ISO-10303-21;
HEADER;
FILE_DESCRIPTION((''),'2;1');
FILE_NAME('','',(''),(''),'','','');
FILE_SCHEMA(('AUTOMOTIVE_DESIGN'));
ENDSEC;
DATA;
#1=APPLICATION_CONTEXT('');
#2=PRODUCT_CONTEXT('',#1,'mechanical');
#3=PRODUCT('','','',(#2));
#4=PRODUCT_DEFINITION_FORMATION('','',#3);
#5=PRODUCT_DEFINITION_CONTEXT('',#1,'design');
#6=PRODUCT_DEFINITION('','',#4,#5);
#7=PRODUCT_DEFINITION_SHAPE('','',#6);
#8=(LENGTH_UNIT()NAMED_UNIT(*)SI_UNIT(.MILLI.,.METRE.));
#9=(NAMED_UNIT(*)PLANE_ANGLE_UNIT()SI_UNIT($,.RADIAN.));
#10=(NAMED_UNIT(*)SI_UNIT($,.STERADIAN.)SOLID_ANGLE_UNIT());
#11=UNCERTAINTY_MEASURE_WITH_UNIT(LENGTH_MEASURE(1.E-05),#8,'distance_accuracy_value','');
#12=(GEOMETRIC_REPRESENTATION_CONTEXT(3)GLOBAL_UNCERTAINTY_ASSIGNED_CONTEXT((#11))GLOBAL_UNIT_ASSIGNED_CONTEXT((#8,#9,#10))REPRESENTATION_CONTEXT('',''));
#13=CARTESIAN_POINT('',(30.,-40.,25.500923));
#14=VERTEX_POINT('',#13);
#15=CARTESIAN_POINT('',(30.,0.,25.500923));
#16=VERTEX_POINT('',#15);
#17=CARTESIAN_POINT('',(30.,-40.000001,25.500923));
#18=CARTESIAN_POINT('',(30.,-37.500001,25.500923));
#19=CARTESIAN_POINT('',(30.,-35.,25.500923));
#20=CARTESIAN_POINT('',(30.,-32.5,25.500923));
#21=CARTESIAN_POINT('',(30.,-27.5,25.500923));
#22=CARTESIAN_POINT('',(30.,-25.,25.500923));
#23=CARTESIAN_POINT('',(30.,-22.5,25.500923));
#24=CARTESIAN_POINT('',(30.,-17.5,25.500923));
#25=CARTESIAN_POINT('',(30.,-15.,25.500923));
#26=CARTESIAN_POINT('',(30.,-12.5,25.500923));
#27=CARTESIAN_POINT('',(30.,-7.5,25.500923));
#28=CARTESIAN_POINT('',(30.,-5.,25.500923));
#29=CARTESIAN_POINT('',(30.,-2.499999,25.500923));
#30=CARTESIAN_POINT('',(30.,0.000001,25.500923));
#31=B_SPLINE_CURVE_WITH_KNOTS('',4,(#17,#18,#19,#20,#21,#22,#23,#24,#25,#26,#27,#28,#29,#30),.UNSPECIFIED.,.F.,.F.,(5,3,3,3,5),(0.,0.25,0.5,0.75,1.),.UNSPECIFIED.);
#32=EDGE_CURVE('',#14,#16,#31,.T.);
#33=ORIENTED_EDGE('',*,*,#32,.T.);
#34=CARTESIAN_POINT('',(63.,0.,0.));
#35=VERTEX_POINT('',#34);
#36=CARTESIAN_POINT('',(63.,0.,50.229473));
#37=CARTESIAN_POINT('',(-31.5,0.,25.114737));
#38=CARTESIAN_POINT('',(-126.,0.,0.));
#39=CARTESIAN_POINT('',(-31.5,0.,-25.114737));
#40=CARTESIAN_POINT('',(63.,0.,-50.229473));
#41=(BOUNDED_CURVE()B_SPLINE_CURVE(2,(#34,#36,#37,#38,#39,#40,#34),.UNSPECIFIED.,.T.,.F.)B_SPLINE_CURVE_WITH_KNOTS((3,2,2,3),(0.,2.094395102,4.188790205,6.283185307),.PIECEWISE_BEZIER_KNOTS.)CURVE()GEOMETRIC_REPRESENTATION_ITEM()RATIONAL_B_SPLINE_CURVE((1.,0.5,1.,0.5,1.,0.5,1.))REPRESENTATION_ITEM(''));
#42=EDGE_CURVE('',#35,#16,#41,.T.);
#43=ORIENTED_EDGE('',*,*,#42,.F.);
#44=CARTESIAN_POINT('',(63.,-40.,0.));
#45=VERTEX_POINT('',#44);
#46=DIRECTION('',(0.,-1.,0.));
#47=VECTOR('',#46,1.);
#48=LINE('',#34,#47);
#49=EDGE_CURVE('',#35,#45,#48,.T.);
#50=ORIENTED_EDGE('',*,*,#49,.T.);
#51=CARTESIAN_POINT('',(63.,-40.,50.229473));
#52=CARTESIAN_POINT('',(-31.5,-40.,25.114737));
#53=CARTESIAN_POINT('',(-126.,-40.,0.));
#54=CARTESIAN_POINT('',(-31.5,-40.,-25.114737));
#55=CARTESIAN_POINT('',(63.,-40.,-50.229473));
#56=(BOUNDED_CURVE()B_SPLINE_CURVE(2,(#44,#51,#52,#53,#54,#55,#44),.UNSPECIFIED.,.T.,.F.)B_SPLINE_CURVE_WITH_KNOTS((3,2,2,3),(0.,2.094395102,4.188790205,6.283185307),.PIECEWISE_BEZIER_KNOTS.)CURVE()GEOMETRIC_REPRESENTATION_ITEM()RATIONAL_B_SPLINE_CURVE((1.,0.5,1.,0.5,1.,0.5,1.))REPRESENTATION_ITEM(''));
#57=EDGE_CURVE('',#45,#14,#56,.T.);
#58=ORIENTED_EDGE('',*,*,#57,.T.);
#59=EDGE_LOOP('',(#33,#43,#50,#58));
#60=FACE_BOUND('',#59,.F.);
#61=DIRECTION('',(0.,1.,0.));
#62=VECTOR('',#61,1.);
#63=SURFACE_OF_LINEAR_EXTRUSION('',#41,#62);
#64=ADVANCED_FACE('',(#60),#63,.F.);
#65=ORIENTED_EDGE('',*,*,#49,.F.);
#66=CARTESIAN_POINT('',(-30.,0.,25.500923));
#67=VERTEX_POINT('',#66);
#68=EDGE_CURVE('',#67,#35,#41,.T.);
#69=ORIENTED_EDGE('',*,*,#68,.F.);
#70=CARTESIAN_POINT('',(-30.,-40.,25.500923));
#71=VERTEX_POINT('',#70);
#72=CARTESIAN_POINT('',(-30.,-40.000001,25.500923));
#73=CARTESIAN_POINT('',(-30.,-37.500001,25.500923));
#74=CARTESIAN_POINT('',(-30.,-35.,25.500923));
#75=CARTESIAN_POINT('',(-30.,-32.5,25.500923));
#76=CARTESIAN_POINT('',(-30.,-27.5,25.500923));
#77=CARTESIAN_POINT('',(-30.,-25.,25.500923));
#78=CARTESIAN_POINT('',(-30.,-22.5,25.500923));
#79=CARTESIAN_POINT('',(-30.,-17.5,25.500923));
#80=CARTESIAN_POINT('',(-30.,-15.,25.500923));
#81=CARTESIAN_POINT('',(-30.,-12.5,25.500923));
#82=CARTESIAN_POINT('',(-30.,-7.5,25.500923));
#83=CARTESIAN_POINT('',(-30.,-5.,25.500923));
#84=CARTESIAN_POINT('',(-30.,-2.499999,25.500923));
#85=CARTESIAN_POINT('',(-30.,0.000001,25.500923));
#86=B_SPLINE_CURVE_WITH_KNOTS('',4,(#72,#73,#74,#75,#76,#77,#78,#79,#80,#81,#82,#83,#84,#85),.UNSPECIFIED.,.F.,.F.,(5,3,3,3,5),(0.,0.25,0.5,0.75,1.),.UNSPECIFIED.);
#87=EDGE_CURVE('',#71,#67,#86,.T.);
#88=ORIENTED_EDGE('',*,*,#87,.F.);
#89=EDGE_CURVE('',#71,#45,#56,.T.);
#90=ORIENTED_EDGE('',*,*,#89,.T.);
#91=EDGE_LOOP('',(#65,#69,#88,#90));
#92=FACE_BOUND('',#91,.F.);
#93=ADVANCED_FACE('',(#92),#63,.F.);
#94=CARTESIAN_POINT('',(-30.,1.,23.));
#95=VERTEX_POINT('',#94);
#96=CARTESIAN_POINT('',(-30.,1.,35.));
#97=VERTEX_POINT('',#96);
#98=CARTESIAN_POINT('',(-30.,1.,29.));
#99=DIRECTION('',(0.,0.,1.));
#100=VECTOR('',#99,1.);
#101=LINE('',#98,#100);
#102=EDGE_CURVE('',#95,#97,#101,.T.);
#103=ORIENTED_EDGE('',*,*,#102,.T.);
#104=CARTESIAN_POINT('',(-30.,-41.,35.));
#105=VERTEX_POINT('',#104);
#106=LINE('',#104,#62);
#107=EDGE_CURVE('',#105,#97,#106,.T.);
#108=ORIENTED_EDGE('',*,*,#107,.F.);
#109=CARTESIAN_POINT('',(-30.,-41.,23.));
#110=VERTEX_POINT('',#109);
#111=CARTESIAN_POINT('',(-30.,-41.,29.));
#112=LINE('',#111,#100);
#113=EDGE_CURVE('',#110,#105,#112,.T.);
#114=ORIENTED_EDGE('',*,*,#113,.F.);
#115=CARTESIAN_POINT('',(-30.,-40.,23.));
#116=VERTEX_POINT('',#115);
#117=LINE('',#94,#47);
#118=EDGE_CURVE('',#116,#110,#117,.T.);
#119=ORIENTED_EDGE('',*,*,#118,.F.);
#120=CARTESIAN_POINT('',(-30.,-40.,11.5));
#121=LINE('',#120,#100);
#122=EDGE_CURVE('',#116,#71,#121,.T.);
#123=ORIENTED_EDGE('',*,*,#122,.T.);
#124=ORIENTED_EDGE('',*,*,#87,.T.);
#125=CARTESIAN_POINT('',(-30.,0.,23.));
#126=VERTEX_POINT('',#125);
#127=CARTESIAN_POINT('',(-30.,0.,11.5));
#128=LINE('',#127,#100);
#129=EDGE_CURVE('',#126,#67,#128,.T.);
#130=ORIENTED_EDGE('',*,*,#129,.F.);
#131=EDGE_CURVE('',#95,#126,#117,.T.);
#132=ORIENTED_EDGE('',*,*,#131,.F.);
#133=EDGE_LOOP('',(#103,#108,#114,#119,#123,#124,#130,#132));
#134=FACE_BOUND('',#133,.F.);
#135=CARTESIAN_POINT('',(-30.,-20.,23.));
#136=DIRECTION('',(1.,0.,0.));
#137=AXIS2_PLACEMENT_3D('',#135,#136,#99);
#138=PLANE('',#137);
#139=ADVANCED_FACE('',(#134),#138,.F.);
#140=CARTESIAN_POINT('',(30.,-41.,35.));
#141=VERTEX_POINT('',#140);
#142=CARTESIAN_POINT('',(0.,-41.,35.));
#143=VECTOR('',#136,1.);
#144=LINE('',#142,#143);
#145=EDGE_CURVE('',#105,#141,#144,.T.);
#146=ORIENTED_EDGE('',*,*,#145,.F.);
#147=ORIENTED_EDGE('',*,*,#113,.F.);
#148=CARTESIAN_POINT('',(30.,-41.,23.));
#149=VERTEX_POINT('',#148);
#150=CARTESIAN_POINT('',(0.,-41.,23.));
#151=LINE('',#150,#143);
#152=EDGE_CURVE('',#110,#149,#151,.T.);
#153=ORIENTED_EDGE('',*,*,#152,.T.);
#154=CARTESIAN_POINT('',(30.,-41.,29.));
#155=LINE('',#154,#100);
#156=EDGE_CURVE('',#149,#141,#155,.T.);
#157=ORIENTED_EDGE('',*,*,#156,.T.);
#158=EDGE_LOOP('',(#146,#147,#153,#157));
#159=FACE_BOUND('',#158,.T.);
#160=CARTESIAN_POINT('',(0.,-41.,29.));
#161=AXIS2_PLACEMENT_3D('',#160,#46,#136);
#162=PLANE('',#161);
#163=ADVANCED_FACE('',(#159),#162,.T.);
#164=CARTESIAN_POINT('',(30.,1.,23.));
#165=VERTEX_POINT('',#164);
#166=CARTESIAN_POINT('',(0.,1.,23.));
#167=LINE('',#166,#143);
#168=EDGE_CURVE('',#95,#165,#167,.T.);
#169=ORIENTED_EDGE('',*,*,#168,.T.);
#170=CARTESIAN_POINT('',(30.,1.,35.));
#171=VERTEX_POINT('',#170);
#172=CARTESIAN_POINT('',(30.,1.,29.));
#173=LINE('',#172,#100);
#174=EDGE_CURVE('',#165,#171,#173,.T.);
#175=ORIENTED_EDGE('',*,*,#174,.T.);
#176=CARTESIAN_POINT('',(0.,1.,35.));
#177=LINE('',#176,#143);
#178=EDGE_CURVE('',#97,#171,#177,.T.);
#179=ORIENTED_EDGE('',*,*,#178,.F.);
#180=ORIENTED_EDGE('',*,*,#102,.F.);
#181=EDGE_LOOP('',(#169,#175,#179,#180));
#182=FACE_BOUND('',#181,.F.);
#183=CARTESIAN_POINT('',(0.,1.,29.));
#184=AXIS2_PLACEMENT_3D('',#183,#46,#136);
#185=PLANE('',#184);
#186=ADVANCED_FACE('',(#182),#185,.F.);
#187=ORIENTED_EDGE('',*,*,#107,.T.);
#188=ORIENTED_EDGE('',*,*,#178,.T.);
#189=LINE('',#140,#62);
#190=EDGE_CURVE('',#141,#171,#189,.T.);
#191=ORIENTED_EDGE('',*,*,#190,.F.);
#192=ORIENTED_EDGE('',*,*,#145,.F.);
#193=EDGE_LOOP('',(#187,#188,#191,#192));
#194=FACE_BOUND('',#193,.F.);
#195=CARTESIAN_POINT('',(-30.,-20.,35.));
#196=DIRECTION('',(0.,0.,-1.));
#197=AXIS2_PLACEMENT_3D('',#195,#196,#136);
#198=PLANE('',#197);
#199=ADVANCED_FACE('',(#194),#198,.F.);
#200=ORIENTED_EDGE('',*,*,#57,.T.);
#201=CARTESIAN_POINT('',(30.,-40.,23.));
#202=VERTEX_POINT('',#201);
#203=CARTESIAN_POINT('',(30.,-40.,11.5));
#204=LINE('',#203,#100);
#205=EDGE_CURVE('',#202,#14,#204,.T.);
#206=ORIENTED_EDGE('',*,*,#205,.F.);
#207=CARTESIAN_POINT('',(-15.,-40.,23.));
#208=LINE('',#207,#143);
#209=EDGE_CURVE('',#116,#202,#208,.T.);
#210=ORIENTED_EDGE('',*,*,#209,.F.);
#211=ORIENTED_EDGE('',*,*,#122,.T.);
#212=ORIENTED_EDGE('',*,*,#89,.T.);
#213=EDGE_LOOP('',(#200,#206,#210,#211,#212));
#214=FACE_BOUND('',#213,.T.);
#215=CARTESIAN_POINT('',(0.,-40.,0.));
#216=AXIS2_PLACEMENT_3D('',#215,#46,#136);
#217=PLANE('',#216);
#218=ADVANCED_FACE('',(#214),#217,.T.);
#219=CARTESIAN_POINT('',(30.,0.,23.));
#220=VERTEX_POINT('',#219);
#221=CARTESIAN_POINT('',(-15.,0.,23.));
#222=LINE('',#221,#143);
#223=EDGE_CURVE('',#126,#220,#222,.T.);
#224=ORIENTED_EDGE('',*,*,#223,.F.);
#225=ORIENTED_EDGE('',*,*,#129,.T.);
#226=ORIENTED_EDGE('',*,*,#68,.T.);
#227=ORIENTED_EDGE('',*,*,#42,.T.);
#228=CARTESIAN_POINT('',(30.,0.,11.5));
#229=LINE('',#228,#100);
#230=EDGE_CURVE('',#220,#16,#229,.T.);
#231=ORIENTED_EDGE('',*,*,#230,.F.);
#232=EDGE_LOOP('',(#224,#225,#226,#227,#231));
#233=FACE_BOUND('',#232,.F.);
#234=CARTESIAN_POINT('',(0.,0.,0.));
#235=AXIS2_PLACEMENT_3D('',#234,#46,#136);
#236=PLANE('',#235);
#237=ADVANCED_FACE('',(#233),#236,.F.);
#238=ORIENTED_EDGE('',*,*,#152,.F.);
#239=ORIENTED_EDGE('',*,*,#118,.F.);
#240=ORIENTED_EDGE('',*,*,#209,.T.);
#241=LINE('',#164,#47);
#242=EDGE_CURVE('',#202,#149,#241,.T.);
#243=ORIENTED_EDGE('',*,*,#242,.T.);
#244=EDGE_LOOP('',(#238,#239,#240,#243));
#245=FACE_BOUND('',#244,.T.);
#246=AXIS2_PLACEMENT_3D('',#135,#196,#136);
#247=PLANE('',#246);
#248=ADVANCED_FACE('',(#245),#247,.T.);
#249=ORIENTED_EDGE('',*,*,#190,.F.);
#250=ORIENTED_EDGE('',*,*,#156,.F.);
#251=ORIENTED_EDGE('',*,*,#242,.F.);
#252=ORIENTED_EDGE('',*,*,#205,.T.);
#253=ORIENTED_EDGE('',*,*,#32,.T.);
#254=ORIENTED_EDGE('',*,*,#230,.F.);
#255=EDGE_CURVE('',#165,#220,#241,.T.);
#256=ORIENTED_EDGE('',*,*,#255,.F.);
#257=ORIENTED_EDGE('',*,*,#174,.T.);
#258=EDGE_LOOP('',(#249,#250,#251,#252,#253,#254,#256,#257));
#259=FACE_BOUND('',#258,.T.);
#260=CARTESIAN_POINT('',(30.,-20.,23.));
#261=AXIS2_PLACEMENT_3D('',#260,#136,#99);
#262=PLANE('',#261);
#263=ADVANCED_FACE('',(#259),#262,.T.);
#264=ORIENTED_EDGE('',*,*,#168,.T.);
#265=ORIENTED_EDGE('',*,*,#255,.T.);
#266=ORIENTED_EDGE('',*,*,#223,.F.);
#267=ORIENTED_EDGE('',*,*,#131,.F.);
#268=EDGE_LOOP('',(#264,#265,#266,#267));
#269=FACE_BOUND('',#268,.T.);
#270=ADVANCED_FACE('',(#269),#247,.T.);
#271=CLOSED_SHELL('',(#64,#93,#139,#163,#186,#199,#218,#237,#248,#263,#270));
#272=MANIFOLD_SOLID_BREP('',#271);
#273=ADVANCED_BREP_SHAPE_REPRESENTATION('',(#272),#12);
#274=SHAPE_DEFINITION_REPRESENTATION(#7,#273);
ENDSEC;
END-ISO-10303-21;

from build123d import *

# Parameters (mm, degrees)
F1_DEPTH = 40
F3_W     = 60
F3_H     = 12
F4_DEPTH = 21


with BuildPart() as f1:
    # F0 (on Front) → F1 (new body)
    with BuildSketch(Plane.XZ):
        with BuildLine():
            add(Edge.make_bspline(
                [(63, 0), (63, 50.2294734195), (-31.5, 25.1147367097), (-126, 0), (-31.5, -25.1147367097), (63, -50.2294734195), (63, 0)],
                knots=[0, 0, 0, 2.0943951024, 2.0943951024, 4.1887902048, 4.1887902048, 6.2831853072, 6.2831853072, 6.2831853072], degree=2, weights=[1, 0.5, 1, 0.5, 1, 0.5, 1]))
        make_face()
    extrude(amount=F1_DEPTH)

    # F3 (on offset) → F4 (join, symmetric)
    with BuildSketch(Plane.XZ.offset(20)):
        with Locations((0, 29)):
            Rectangle(F3_W, F3_H)
    extrude(amount=F4_DEPTH, both=True)


solid = f1.part
